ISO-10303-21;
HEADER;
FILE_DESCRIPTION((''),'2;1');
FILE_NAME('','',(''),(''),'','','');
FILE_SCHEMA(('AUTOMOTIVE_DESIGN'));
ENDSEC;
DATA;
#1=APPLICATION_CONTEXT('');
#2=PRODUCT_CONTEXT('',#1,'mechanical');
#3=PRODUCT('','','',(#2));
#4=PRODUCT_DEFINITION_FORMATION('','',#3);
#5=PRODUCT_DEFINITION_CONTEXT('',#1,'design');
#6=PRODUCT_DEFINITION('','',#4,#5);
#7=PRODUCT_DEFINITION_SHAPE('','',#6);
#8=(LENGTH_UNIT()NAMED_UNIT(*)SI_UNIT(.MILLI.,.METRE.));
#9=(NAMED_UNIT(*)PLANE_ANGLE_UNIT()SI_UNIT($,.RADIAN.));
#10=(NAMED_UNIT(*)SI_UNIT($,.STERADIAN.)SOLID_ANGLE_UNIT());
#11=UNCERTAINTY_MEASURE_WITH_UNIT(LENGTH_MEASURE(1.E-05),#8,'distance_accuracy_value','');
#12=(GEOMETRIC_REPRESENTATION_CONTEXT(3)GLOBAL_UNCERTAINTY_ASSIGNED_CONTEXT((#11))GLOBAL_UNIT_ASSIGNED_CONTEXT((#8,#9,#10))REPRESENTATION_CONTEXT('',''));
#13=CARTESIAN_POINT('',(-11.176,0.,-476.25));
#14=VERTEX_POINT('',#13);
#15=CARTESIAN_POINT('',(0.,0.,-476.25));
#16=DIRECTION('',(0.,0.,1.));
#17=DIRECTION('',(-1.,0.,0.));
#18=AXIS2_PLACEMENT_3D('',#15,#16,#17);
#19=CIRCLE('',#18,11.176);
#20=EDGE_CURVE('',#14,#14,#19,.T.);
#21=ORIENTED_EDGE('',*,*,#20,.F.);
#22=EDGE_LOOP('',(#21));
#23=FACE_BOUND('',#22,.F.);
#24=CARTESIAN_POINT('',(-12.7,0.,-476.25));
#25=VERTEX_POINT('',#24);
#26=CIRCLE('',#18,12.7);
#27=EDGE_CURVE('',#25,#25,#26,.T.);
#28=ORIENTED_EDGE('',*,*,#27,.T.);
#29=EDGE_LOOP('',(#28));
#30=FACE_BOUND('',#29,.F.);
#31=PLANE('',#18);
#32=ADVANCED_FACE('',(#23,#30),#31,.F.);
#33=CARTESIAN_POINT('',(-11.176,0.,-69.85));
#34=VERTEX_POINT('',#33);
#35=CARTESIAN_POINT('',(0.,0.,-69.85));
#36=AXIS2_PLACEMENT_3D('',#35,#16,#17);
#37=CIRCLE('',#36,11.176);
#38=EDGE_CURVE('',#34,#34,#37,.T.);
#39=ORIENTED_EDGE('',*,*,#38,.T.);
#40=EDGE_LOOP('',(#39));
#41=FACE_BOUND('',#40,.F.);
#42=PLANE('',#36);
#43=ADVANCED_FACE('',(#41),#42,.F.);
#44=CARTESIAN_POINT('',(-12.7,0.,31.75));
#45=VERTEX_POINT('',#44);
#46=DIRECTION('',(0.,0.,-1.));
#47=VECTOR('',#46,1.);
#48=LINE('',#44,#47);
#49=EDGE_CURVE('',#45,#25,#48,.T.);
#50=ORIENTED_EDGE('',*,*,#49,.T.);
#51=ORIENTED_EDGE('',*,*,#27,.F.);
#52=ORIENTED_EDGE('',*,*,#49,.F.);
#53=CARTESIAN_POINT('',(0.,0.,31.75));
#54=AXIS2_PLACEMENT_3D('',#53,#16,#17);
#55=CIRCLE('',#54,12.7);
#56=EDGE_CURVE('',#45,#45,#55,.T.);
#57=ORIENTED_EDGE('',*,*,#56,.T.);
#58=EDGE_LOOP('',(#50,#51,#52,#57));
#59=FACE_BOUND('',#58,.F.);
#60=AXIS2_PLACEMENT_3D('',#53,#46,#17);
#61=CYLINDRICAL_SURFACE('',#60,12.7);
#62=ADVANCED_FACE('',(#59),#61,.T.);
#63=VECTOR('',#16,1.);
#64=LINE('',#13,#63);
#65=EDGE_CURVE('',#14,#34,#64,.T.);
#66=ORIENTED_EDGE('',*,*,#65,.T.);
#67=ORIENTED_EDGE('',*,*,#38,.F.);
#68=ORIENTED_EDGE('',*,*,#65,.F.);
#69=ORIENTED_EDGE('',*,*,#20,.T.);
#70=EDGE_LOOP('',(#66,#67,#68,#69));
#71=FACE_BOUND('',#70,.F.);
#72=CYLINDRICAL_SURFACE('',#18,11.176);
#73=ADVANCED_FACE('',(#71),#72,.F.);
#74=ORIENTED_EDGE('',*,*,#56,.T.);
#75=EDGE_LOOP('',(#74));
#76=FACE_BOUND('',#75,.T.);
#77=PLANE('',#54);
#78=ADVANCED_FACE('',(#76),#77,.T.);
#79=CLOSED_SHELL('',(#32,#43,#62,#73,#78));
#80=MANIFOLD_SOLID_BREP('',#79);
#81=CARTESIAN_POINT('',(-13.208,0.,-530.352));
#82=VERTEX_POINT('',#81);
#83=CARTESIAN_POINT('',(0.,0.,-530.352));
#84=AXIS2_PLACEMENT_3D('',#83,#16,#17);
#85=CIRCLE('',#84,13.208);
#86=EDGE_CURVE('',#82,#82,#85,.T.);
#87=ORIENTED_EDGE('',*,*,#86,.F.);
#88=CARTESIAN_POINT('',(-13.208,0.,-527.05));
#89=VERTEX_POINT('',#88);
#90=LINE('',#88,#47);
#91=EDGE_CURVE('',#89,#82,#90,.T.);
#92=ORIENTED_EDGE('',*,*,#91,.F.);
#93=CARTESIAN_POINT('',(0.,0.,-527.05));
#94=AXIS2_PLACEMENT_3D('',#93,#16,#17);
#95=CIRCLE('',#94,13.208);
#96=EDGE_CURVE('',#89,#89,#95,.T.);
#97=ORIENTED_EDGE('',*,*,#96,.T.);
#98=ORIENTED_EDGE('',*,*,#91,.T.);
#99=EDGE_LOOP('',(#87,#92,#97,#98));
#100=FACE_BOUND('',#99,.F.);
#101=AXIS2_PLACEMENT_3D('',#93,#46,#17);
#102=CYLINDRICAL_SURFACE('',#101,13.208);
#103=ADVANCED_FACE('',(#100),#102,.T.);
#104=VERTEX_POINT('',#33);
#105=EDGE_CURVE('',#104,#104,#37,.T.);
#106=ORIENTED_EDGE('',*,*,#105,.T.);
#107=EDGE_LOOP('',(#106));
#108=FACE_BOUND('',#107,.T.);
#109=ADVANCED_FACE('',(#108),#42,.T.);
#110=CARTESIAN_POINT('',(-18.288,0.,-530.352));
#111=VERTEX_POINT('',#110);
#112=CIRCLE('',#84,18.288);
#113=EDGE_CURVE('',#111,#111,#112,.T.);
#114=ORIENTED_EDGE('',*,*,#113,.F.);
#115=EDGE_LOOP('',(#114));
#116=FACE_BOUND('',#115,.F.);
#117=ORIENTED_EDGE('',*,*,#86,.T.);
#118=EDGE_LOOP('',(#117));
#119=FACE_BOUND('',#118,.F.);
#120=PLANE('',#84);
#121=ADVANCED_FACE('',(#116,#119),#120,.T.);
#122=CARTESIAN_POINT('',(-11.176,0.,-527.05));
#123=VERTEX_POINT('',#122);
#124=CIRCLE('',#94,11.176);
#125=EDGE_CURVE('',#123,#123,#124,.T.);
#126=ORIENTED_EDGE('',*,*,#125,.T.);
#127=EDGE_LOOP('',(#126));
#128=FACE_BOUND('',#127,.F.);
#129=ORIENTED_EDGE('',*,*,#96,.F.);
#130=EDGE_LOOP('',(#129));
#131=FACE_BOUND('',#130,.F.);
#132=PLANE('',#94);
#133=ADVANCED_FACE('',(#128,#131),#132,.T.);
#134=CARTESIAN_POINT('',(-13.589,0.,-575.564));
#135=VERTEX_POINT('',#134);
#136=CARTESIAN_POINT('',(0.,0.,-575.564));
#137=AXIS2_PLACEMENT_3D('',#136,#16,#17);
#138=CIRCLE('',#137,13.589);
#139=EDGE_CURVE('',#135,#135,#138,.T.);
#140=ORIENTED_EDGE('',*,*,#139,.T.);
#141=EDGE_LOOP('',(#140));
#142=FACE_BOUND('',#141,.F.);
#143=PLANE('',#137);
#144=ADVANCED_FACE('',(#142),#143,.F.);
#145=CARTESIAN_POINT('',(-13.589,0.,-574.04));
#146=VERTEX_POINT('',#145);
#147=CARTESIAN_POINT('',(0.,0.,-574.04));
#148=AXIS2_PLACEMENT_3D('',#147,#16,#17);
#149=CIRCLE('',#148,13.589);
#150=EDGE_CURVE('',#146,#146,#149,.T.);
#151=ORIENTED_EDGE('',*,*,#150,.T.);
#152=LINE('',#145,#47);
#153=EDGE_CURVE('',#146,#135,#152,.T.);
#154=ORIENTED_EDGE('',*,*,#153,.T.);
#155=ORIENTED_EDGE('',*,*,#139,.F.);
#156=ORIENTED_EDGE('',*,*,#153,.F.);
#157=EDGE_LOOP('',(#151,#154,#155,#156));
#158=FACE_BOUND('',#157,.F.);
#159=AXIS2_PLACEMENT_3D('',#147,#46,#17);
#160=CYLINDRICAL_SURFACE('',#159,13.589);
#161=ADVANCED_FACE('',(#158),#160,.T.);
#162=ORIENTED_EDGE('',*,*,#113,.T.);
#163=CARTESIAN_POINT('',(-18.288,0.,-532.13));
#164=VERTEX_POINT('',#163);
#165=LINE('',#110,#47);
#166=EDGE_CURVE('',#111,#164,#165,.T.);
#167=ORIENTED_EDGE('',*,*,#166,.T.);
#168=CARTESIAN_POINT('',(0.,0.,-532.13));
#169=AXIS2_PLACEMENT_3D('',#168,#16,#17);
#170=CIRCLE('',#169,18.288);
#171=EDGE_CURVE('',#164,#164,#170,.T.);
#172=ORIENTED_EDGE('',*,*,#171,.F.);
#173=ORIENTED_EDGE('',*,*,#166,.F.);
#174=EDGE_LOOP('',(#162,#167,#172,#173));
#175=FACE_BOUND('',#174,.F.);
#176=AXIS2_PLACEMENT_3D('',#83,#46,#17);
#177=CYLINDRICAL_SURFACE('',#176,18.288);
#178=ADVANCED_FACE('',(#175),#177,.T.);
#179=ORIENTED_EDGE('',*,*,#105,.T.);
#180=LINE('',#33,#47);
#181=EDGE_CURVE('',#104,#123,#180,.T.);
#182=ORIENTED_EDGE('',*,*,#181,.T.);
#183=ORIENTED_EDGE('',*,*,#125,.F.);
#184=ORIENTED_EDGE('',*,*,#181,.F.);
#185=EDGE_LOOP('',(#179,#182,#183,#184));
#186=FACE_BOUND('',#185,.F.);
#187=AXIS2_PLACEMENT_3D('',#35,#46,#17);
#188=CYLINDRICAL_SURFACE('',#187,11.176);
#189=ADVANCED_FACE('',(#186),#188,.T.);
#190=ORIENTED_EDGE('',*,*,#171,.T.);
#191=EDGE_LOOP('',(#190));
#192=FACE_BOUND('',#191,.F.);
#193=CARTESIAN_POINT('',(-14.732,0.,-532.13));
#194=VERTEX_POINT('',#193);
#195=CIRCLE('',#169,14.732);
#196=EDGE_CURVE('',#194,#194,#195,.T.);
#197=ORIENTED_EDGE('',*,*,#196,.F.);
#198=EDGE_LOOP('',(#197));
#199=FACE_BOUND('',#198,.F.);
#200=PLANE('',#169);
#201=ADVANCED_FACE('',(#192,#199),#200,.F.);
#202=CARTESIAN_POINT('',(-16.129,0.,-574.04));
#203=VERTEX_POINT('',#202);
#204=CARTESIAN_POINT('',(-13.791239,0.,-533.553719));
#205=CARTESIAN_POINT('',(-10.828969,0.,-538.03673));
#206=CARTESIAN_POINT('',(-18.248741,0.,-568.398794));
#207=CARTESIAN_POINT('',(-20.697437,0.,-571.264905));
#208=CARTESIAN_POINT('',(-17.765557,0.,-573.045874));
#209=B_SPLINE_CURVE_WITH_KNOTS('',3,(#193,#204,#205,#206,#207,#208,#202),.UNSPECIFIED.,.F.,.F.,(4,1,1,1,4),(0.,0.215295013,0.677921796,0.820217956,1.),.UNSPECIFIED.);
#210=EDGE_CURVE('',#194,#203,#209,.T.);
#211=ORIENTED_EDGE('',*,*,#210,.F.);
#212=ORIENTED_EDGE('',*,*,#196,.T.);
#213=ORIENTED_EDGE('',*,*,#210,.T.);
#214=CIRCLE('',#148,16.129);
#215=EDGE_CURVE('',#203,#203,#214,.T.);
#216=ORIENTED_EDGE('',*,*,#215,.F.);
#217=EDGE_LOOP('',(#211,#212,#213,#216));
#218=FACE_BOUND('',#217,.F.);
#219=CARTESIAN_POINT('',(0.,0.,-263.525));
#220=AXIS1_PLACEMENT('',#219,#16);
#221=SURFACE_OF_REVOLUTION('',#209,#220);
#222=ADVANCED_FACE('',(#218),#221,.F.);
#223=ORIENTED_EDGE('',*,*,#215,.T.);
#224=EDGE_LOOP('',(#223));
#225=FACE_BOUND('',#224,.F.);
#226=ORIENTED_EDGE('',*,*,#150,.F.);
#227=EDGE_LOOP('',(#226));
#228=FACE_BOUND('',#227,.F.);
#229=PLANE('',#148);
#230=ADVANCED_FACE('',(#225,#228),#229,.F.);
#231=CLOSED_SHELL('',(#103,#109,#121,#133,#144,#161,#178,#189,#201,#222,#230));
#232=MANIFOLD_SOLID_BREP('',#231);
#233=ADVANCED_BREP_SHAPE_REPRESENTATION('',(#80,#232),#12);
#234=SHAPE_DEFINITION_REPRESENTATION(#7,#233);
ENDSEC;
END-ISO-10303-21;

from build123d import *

# Parameters (mm, degrees)
F0_W   = 12.7
F0_H   = 31.75
F0_W_2 = 11.176
F0_H_2 = 50.8
F0_H_3 = 406.4


with BuildPart() as f1:
    # F0 (on Front) → F1 (revolve)
    with BuildSketch(Plane.XZ):
        with Locations((-6.35, 15.875)):
            Rectangle(F0_W, F0_H)
        Polygon((0, -69.85), (0, 0), (-12.7, 0), (-12.7, -476.25), (-11.176, -476.25), (-11.176, -69.85), align=None)
    revolve(axis=Axis((0, 0, 24.257), (0, 0, 1)))


with BuildPart() as f2:
    # F0 (on Front) → F2 (revolve)
    with BuildSketch(Plane.XZ):
        with BuildLine():
            Line((0, -575.564), (0, -527.05))
            Line((0, -527.05), (-11.176, -527.05))
            Line((-11.176, -527.05), (-13.208, -527.05))
            Line((-13.208, -527.05), (-13.208, -530.352))
            Line((-13.208, -530.352), (-18.288, -530.352))
            Line((-18.288, -530.352), (-18.288, -532.13))
            Line((-18.288, -532.13), (-14.732, -532.13))
            add(Edge.make_bspline(
                [(-14.732, -532.13), (-13.7912394002, -533.5537187468), (-10.8289686776, -538.0367300057), (-18.2487414169, -568.3987942294), (-20.697436931, -571.2649046742), (-17.765557055, -573.0458740216), (-16.129, -574.04)],
                knots=[0, 0, 0, 0, 0.2152950135, 0.6779217958, 0.8202179559, 1, 1, 1, 1], degree=3))
            Line((-16.129, -574.04), (-13.589, -574.04))
            Line((-13.589, -574.04), (-13.589, -575.564))
            Line((-13.589, -575.564), (0, -575.564))
        make_face()
        with Locations((-5.588, -501.65)):
            Rectangle(F0_W_2, F0_H_2)
        with Locations((-5.588, -273.05)):
            Rectangle(F0_W_2, F0_H_3)
    revolve(axis=Axis((0, 0, -263.525), (0, 0, 1)))


solid = Compound([f1.part, f2.part])
